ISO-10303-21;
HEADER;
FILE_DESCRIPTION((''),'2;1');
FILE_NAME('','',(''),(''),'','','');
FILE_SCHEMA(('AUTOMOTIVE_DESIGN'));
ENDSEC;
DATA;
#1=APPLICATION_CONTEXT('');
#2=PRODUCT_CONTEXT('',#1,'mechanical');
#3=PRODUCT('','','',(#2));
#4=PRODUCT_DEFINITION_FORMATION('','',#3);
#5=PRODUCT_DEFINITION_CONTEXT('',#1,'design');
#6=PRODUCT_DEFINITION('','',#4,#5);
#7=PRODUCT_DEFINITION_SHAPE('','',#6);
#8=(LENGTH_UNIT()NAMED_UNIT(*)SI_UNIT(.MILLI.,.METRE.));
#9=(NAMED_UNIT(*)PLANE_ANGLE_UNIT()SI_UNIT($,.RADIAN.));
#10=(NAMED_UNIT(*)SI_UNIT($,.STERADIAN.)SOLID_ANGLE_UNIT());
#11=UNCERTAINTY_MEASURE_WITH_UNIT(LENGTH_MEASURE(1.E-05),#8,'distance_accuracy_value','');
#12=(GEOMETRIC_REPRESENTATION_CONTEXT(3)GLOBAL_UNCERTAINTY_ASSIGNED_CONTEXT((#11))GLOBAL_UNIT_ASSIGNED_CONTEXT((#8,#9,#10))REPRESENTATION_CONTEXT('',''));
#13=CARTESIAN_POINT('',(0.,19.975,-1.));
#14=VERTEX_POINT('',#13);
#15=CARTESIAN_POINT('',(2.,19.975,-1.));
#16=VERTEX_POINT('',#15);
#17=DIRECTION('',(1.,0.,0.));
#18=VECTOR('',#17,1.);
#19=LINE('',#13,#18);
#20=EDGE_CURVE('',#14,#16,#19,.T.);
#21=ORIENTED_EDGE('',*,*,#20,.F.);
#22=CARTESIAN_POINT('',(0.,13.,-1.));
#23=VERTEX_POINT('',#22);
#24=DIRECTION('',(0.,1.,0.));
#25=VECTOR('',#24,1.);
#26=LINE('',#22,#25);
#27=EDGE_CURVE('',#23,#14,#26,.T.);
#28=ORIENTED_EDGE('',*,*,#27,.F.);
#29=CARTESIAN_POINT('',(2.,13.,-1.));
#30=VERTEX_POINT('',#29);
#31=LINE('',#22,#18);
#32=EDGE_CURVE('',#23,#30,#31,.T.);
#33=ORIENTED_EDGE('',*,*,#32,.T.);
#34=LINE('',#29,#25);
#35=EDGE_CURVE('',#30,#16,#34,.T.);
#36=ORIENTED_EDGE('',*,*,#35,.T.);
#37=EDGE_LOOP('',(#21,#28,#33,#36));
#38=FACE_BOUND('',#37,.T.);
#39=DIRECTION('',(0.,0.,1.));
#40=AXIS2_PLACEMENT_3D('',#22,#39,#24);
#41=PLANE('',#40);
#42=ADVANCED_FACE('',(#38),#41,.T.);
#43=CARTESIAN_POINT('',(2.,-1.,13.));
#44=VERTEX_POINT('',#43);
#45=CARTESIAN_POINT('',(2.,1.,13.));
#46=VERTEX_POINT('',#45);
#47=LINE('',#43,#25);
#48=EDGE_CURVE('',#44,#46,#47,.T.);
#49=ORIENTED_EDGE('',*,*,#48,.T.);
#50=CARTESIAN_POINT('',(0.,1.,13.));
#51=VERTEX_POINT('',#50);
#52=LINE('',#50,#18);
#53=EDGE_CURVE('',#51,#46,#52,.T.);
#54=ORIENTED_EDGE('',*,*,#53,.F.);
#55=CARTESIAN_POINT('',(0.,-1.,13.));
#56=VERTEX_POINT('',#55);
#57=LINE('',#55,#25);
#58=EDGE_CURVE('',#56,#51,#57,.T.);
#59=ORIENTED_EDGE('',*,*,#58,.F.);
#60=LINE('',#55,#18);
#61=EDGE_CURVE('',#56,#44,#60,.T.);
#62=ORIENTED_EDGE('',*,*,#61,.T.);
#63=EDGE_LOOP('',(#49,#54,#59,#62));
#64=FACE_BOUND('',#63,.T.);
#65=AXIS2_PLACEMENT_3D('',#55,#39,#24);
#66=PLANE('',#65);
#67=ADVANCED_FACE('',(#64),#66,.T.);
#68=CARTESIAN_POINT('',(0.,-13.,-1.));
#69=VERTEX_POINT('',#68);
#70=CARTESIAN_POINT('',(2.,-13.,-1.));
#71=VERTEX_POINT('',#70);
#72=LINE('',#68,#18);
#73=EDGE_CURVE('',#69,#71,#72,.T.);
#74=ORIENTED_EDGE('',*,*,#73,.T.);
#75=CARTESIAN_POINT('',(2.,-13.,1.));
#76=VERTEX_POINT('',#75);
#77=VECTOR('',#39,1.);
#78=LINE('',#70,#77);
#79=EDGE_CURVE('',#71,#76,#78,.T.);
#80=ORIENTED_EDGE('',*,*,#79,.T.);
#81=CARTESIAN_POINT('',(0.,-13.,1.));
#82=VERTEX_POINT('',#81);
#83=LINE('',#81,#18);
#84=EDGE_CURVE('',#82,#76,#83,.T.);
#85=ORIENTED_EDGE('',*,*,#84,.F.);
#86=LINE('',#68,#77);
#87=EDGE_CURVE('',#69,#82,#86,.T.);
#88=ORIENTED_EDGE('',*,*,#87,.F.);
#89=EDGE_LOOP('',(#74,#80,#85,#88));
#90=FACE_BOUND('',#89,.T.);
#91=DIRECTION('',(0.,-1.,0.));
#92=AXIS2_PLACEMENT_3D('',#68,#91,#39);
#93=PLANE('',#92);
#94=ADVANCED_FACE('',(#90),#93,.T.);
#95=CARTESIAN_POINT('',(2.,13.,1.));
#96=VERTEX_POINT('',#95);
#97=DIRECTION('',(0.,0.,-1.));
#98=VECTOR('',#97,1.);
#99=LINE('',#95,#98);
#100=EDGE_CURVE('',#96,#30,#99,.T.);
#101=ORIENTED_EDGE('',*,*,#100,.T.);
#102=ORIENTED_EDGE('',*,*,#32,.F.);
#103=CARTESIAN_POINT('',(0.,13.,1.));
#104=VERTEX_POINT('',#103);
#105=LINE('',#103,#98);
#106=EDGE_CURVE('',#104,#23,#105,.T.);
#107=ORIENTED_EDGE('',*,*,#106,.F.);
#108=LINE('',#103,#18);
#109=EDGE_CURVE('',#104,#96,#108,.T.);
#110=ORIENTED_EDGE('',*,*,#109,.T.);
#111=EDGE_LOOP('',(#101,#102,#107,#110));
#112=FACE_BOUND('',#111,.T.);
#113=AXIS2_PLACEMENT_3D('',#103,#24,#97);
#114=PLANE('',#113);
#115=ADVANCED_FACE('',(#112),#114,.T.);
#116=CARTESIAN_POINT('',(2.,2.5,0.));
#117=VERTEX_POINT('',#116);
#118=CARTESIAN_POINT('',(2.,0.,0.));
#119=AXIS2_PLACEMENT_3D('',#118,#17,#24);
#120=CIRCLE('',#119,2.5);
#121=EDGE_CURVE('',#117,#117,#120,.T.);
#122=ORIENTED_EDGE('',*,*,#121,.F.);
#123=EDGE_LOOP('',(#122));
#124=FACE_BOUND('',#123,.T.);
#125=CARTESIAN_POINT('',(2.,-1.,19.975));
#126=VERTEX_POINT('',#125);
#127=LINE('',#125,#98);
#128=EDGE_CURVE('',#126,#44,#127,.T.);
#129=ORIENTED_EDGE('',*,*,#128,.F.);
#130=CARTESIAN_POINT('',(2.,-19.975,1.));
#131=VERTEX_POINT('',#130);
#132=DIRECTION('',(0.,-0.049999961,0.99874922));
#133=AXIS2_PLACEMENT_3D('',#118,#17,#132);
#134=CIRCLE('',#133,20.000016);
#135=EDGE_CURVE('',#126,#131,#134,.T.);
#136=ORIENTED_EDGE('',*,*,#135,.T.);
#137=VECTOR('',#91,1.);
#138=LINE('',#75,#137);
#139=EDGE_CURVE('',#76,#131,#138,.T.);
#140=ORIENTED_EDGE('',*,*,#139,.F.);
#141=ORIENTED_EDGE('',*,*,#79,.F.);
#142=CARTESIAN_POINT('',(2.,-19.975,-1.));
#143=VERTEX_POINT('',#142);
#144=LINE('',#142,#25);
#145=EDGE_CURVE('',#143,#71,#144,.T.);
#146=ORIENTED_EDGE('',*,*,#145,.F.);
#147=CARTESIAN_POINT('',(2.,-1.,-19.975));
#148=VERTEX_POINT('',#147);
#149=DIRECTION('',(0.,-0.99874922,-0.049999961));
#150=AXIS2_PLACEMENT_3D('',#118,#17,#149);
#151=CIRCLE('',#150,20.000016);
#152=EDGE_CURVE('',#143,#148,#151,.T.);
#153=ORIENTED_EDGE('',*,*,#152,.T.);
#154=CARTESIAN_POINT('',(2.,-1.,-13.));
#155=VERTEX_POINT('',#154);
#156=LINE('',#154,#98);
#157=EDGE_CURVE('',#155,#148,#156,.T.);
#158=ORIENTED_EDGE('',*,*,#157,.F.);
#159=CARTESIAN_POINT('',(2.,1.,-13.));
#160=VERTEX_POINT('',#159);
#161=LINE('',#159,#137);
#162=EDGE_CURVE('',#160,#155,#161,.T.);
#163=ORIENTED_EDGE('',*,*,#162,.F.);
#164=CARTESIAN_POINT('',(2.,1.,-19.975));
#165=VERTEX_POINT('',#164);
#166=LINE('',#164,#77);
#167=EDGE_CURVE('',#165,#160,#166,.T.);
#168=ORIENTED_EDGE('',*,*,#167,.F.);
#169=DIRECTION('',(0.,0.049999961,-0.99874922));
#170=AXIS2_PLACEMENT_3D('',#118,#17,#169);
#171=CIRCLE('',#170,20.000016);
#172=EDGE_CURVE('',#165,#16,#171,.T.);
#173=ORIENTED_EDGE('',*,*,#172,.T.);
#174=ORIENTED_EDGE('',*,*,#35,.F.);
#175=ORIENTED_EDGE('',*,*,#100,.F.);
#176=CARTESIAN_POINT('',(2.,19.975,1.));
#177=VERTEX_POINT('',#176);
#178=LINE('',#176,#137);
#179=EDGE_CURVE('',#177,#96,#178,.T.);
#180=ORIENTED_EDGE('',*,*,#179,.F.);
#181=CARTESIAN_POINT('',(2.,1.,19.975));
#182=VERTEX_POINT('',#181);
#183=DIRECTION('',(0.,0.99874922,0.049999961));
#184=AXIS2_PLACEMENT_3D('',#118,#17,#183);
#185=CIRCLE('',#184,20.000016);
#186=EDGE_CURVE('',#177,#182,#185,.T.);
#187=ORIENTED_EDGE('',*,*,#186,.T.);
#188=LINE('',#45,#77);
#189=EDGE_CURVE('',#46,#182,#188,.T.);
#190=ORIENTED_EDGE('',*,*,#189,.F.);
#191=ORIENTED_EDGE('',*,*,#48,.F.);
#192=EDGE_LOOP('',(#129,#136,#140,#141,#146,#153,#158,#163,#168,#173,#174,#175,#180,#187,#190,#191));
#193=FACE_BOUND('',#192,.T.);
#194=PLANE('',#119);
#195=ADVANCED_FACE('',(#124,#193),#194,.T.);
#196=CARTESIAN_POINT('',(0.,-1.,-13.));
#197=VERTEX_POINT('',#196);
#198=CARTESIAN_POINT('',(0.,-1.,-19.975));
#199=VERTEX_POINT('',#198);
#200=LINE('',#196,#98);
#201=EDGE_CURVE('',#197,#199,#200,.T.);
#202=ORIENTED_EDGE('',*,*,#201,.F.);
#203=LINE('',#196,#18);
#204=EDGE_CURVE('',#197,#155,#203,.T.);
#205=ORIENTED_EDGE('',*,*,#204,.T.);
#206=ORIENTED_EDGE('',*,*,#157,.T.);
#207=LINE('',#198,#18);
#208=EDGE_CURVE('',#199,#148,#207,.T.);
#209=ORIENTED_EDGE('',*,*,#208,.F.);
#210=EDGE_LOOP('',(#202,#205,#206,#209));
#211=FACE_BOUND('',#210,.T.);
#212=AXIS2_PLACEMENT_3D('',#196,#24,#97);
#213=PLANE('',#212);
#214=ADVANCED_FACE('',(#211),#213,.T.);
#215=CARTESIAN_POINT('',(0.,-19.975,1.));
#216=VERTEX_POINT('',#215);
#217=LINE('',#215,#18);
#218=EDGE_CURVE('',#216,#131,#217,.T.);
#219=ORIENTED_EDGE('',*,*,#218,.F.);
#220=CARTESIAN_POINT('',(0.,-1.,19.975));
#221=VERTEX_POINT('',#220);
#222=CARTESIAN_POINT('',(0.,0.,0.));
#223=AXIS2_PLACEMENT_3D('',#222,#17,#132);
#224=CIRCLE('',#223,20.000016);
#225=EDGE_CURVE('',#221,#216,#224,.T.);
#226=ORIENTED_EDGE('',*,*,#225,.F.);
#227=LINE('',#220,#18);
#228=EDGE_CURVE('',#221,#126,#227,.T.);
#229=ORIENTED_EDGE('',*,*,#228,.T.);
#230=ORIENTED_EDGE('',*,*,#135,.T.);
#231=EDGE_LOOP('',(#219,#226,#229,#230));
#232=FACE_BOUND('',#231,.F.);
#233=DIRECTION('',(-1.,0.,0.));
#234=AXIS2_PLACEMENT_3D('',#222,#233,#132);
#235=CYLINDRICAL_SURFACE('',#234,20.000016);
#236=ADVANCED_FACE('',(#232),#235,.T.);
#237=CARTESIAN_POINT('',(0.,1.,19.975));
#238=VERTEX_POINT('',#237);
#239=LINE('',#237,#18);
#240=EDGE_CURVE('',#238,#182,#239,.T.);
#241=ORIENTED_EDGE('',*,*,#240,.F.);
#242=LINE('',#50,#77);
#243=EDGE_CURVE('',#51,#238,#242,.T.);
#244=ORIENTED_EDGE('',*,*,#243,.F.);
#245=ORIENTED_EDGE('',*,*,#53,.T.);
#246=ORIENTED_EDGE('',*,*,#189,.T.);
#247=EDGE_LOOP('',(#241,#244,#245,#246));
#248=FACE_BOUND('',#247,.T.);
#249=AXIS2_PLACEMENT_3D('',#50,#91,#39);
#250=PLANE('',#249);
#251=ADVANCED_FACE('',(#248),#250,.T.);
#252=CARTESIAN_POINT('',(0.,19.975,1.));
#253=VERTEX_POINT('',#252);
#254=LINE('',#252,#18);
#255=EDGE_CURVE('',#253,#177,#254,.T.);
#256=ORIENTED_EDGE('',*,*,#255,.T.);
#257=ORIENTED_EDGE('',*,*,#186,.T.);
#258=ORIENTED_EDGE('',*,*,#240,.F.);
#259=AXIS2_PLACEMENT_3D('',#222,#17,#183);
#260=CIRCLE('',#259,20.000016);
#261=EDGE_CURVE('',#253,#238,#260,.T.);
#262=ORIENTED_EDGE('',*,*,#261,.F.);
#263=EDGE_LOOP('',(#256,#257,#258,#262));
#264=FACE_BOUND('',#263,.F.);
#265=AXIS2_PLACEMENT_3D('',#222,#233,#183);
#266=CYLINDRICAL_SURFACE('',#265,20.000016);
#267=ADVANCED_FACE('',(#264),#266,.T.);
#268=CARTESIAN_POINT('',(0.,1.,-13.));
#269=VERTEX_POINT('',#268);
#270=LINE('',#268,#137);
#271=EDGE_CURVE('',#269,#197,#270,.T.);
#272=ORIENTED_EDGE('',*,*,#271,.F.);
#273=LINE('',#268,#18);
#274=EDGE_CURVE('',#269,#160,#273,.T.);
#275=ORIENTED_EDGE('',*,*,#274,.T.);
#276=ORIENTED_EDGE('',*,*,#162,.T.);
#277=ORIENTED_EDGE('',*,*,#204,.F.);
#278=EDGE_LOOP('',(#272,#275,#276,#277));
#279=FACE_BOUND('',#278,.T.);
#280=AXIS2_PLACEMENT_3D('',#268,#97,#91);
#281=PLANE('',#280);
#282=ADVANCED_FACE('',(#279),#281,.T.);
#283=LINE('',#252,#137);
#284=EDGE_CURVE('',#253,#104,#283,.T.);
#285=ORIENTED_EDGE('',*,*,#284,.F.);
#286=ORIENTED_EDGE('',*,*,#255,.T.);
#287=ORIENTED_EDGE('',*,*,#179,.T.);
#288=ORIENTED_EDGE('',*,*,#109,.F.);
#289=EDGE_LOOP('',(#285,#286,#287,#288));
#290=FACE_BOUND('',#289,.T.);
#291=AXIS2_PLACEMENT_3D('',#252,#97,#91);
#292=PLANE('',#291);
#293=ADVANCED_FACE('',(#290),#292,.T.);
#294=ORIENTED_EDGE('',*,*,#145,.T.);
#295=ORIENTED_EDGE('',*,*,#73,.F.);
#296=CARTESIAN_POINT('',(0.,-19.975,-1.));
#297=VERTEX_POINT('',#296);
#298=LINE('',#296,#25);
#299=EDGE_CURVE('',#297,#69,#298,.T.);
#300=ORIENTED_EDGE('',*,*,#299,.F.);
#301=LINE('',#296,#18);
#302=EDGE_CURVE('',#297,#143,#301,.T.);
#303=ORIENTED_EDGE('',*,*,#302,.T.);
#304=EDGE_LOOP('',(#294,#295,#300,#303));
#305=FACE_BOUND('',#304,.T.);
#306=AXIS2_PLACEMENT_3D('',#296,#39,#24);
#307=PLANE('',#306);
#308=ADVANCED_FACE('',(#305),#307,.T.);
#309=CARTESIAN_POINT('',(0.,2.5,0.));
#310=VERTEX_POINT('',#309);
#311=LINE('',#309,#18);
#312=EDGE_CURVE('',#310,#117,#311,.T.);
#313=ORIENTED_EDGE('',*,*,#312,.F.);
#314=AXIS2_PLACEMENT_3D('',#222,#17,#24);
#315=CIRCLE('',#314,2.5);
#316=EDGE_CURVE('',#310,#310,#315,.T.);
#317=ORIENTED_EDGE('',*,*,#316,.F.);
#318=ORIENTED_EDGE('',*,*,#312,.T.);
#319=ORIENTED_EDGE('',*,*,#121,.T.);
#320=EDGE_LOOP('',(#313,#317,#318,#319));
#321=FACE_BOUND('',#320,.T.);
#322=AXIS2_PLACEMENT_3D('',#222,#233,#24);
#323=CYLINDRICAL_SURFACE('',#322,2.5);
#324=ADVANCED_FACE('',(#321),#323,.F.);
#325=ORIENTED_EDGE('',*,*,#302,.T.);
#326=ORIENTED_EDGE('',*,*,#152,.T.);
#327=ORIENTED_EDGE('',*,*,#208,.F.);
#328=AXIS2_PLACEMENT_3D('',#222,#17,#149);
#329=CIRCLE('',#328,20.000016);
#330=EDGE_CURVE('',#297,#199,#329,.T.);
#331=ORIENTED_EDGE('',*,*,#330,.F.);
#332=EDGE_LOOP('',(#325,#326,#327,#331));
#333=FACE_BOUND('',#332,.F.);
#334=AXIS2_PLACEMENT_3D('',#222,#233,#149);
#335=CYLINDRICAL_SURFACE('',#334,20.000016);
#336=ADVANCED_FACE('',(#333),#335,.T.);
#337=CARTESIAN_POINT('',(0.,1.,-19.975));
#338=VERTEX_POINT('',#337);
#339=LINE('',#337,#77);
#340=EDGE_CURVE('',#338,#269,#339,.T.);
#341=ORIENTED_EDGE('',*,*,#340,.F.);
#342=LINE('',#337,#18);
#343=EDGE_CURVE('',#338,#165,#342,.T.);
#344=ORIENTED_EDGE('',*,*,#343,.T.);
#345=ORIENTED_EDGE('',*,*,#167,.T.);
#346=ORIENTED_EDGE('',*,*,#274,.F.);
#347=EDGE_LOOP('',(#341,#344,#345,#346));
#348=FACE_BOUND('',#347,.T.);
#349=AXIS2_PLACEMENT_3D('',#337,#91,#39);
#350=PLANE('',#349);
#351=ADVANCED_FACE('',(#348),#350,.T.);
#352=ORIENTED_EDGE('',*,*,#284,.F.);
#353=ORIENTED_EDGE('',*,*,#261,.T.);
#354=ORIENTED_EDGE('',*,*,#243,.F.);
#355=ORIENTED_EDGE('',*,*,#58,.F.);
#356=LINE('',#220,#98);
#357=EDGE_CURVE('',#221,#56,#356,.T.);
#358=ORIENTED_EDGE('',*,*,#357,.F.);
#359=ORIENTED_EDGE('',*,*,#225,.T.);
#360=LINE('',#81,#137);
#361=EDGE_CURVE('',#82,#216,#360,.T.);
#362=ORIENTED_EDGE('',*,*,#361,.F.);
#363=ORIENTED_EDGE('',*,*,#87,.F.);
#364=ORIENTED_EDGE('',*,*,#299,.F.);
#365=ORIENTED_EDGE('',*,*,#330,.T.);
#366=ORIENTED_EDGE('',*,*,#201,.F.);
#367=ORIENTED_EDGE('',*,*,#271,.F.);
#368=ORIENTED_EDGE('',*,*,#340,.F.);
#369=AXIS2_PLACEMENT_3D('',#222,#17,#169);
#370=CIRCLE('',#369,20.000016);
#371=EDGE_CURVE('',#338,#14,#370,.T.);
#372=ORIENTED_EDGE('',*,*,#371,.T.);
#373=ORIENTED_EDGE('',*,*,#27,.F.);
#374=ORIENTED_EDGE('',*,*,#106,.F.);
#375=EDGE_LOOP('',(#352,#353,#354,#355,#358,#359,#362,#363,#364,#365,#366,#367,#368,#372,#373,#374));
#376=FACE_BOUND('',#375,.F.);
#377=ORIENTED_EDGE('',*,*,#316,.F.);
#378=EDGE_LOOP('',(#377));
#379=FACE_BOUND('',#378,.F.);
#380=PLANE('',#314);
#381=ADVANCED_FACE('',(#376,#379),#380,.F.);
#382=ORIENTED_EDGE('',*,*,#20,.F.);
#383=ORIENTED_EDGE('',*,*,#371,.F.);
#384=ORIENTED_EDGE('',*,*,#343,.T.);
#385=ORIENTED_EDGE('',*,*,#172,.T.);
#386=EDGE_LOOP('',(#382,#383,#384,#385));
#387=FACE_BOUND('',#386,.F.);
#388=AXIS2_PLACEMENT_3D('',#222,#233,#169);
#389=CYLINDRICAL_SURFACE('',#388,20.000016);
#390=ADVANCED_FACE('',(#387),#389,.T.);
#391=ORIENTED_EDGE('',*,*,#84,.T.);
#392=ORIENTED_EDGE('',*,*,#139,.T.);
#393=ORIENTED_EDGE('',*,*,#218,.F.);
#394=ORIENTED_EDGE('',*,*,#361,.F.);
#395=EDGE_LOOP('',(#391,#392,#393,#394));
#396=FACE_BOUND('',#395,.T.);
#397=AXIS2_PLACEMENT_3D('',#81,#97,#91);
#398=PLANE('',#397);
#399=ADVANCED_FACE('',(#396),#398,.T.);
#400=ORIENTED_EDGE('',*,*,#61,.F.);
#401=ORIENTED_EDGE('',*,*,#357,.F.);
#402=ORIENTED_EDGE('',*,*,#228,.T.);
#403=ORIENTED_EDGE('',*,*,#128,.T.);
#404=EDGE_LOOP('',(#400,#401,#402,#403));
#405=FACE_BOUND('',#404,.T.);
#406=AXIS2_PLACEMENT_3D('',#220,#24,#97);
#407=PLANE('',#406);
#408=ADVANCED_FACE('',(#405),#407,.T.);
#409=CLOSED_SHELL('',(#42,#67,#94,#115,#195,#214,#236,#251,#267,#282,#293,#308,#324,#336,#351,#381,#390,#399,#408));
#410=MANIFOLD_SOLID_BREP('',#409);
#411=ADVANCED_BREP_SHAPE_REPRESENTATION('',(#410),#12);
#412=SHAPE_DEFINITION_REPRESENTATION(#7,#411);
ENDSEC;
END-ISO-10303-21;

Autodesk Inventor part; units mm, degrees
ref_plane "YZ Plane" through (0, 0, 0) normal (1, 0, 0) x (0, 1, 0)
ref_plane "XZ Plane" through (0, 0, 0) normal (0, 1, 0) x (-1, 0, 0)
ref_plane "XY Plane" through (0, 0, 0) normal (0, 0, 1) x (1, 0, 0)
sketch "Sketch1" plane through (0, 0, 0) normal (1, 0, 0) x (0, 1, 0)
  circle A0 centre (0, 0) radius 2.5
  line L0 (19.975, 1) -> (13, 1)
  line L1 (13, 1) -> (13, -1)
  line L2 (13, -1) -> (19.975, -1)
  line L3 (-1, 19.975) -> (-1, 13)
  line L4 (-1, 13) -> (1, 13)
  line L5 (1, 13) -> (1, 19.975)
  line L6 (-19.975, -1) -> (-13, -1)
  line L7 (-13, -1) -> (-13, 1)
  line L8 (-13, 1) -> (-19.975, 1)
  line L9 (1, -19.975) -> (1, -13)
  line L10 (1, -13) -> (-1, -13)
  line L11 (-1, -13) -> (-1, -19.975)
  arc A1 (19.975, 1) -> (1, 19.975) centre (0, 0) ccw
  arc A2 (1, -19.975) -> (19.975, -1) centre (0, 0) ccw
  arc A3 (-1, 19.975) -> (-19.975, 1) centre (0, 0) ccw
  arc A4 (-19.975, -1) -> (-1, -19.975) centre (0, 0) ccw
  dimension "d1" = 5
  dimension "d6" = 360
extrude "Extrusion1" add sketch "Sketch1" along normal blind 2
properties part number "Encoder_Disk"
